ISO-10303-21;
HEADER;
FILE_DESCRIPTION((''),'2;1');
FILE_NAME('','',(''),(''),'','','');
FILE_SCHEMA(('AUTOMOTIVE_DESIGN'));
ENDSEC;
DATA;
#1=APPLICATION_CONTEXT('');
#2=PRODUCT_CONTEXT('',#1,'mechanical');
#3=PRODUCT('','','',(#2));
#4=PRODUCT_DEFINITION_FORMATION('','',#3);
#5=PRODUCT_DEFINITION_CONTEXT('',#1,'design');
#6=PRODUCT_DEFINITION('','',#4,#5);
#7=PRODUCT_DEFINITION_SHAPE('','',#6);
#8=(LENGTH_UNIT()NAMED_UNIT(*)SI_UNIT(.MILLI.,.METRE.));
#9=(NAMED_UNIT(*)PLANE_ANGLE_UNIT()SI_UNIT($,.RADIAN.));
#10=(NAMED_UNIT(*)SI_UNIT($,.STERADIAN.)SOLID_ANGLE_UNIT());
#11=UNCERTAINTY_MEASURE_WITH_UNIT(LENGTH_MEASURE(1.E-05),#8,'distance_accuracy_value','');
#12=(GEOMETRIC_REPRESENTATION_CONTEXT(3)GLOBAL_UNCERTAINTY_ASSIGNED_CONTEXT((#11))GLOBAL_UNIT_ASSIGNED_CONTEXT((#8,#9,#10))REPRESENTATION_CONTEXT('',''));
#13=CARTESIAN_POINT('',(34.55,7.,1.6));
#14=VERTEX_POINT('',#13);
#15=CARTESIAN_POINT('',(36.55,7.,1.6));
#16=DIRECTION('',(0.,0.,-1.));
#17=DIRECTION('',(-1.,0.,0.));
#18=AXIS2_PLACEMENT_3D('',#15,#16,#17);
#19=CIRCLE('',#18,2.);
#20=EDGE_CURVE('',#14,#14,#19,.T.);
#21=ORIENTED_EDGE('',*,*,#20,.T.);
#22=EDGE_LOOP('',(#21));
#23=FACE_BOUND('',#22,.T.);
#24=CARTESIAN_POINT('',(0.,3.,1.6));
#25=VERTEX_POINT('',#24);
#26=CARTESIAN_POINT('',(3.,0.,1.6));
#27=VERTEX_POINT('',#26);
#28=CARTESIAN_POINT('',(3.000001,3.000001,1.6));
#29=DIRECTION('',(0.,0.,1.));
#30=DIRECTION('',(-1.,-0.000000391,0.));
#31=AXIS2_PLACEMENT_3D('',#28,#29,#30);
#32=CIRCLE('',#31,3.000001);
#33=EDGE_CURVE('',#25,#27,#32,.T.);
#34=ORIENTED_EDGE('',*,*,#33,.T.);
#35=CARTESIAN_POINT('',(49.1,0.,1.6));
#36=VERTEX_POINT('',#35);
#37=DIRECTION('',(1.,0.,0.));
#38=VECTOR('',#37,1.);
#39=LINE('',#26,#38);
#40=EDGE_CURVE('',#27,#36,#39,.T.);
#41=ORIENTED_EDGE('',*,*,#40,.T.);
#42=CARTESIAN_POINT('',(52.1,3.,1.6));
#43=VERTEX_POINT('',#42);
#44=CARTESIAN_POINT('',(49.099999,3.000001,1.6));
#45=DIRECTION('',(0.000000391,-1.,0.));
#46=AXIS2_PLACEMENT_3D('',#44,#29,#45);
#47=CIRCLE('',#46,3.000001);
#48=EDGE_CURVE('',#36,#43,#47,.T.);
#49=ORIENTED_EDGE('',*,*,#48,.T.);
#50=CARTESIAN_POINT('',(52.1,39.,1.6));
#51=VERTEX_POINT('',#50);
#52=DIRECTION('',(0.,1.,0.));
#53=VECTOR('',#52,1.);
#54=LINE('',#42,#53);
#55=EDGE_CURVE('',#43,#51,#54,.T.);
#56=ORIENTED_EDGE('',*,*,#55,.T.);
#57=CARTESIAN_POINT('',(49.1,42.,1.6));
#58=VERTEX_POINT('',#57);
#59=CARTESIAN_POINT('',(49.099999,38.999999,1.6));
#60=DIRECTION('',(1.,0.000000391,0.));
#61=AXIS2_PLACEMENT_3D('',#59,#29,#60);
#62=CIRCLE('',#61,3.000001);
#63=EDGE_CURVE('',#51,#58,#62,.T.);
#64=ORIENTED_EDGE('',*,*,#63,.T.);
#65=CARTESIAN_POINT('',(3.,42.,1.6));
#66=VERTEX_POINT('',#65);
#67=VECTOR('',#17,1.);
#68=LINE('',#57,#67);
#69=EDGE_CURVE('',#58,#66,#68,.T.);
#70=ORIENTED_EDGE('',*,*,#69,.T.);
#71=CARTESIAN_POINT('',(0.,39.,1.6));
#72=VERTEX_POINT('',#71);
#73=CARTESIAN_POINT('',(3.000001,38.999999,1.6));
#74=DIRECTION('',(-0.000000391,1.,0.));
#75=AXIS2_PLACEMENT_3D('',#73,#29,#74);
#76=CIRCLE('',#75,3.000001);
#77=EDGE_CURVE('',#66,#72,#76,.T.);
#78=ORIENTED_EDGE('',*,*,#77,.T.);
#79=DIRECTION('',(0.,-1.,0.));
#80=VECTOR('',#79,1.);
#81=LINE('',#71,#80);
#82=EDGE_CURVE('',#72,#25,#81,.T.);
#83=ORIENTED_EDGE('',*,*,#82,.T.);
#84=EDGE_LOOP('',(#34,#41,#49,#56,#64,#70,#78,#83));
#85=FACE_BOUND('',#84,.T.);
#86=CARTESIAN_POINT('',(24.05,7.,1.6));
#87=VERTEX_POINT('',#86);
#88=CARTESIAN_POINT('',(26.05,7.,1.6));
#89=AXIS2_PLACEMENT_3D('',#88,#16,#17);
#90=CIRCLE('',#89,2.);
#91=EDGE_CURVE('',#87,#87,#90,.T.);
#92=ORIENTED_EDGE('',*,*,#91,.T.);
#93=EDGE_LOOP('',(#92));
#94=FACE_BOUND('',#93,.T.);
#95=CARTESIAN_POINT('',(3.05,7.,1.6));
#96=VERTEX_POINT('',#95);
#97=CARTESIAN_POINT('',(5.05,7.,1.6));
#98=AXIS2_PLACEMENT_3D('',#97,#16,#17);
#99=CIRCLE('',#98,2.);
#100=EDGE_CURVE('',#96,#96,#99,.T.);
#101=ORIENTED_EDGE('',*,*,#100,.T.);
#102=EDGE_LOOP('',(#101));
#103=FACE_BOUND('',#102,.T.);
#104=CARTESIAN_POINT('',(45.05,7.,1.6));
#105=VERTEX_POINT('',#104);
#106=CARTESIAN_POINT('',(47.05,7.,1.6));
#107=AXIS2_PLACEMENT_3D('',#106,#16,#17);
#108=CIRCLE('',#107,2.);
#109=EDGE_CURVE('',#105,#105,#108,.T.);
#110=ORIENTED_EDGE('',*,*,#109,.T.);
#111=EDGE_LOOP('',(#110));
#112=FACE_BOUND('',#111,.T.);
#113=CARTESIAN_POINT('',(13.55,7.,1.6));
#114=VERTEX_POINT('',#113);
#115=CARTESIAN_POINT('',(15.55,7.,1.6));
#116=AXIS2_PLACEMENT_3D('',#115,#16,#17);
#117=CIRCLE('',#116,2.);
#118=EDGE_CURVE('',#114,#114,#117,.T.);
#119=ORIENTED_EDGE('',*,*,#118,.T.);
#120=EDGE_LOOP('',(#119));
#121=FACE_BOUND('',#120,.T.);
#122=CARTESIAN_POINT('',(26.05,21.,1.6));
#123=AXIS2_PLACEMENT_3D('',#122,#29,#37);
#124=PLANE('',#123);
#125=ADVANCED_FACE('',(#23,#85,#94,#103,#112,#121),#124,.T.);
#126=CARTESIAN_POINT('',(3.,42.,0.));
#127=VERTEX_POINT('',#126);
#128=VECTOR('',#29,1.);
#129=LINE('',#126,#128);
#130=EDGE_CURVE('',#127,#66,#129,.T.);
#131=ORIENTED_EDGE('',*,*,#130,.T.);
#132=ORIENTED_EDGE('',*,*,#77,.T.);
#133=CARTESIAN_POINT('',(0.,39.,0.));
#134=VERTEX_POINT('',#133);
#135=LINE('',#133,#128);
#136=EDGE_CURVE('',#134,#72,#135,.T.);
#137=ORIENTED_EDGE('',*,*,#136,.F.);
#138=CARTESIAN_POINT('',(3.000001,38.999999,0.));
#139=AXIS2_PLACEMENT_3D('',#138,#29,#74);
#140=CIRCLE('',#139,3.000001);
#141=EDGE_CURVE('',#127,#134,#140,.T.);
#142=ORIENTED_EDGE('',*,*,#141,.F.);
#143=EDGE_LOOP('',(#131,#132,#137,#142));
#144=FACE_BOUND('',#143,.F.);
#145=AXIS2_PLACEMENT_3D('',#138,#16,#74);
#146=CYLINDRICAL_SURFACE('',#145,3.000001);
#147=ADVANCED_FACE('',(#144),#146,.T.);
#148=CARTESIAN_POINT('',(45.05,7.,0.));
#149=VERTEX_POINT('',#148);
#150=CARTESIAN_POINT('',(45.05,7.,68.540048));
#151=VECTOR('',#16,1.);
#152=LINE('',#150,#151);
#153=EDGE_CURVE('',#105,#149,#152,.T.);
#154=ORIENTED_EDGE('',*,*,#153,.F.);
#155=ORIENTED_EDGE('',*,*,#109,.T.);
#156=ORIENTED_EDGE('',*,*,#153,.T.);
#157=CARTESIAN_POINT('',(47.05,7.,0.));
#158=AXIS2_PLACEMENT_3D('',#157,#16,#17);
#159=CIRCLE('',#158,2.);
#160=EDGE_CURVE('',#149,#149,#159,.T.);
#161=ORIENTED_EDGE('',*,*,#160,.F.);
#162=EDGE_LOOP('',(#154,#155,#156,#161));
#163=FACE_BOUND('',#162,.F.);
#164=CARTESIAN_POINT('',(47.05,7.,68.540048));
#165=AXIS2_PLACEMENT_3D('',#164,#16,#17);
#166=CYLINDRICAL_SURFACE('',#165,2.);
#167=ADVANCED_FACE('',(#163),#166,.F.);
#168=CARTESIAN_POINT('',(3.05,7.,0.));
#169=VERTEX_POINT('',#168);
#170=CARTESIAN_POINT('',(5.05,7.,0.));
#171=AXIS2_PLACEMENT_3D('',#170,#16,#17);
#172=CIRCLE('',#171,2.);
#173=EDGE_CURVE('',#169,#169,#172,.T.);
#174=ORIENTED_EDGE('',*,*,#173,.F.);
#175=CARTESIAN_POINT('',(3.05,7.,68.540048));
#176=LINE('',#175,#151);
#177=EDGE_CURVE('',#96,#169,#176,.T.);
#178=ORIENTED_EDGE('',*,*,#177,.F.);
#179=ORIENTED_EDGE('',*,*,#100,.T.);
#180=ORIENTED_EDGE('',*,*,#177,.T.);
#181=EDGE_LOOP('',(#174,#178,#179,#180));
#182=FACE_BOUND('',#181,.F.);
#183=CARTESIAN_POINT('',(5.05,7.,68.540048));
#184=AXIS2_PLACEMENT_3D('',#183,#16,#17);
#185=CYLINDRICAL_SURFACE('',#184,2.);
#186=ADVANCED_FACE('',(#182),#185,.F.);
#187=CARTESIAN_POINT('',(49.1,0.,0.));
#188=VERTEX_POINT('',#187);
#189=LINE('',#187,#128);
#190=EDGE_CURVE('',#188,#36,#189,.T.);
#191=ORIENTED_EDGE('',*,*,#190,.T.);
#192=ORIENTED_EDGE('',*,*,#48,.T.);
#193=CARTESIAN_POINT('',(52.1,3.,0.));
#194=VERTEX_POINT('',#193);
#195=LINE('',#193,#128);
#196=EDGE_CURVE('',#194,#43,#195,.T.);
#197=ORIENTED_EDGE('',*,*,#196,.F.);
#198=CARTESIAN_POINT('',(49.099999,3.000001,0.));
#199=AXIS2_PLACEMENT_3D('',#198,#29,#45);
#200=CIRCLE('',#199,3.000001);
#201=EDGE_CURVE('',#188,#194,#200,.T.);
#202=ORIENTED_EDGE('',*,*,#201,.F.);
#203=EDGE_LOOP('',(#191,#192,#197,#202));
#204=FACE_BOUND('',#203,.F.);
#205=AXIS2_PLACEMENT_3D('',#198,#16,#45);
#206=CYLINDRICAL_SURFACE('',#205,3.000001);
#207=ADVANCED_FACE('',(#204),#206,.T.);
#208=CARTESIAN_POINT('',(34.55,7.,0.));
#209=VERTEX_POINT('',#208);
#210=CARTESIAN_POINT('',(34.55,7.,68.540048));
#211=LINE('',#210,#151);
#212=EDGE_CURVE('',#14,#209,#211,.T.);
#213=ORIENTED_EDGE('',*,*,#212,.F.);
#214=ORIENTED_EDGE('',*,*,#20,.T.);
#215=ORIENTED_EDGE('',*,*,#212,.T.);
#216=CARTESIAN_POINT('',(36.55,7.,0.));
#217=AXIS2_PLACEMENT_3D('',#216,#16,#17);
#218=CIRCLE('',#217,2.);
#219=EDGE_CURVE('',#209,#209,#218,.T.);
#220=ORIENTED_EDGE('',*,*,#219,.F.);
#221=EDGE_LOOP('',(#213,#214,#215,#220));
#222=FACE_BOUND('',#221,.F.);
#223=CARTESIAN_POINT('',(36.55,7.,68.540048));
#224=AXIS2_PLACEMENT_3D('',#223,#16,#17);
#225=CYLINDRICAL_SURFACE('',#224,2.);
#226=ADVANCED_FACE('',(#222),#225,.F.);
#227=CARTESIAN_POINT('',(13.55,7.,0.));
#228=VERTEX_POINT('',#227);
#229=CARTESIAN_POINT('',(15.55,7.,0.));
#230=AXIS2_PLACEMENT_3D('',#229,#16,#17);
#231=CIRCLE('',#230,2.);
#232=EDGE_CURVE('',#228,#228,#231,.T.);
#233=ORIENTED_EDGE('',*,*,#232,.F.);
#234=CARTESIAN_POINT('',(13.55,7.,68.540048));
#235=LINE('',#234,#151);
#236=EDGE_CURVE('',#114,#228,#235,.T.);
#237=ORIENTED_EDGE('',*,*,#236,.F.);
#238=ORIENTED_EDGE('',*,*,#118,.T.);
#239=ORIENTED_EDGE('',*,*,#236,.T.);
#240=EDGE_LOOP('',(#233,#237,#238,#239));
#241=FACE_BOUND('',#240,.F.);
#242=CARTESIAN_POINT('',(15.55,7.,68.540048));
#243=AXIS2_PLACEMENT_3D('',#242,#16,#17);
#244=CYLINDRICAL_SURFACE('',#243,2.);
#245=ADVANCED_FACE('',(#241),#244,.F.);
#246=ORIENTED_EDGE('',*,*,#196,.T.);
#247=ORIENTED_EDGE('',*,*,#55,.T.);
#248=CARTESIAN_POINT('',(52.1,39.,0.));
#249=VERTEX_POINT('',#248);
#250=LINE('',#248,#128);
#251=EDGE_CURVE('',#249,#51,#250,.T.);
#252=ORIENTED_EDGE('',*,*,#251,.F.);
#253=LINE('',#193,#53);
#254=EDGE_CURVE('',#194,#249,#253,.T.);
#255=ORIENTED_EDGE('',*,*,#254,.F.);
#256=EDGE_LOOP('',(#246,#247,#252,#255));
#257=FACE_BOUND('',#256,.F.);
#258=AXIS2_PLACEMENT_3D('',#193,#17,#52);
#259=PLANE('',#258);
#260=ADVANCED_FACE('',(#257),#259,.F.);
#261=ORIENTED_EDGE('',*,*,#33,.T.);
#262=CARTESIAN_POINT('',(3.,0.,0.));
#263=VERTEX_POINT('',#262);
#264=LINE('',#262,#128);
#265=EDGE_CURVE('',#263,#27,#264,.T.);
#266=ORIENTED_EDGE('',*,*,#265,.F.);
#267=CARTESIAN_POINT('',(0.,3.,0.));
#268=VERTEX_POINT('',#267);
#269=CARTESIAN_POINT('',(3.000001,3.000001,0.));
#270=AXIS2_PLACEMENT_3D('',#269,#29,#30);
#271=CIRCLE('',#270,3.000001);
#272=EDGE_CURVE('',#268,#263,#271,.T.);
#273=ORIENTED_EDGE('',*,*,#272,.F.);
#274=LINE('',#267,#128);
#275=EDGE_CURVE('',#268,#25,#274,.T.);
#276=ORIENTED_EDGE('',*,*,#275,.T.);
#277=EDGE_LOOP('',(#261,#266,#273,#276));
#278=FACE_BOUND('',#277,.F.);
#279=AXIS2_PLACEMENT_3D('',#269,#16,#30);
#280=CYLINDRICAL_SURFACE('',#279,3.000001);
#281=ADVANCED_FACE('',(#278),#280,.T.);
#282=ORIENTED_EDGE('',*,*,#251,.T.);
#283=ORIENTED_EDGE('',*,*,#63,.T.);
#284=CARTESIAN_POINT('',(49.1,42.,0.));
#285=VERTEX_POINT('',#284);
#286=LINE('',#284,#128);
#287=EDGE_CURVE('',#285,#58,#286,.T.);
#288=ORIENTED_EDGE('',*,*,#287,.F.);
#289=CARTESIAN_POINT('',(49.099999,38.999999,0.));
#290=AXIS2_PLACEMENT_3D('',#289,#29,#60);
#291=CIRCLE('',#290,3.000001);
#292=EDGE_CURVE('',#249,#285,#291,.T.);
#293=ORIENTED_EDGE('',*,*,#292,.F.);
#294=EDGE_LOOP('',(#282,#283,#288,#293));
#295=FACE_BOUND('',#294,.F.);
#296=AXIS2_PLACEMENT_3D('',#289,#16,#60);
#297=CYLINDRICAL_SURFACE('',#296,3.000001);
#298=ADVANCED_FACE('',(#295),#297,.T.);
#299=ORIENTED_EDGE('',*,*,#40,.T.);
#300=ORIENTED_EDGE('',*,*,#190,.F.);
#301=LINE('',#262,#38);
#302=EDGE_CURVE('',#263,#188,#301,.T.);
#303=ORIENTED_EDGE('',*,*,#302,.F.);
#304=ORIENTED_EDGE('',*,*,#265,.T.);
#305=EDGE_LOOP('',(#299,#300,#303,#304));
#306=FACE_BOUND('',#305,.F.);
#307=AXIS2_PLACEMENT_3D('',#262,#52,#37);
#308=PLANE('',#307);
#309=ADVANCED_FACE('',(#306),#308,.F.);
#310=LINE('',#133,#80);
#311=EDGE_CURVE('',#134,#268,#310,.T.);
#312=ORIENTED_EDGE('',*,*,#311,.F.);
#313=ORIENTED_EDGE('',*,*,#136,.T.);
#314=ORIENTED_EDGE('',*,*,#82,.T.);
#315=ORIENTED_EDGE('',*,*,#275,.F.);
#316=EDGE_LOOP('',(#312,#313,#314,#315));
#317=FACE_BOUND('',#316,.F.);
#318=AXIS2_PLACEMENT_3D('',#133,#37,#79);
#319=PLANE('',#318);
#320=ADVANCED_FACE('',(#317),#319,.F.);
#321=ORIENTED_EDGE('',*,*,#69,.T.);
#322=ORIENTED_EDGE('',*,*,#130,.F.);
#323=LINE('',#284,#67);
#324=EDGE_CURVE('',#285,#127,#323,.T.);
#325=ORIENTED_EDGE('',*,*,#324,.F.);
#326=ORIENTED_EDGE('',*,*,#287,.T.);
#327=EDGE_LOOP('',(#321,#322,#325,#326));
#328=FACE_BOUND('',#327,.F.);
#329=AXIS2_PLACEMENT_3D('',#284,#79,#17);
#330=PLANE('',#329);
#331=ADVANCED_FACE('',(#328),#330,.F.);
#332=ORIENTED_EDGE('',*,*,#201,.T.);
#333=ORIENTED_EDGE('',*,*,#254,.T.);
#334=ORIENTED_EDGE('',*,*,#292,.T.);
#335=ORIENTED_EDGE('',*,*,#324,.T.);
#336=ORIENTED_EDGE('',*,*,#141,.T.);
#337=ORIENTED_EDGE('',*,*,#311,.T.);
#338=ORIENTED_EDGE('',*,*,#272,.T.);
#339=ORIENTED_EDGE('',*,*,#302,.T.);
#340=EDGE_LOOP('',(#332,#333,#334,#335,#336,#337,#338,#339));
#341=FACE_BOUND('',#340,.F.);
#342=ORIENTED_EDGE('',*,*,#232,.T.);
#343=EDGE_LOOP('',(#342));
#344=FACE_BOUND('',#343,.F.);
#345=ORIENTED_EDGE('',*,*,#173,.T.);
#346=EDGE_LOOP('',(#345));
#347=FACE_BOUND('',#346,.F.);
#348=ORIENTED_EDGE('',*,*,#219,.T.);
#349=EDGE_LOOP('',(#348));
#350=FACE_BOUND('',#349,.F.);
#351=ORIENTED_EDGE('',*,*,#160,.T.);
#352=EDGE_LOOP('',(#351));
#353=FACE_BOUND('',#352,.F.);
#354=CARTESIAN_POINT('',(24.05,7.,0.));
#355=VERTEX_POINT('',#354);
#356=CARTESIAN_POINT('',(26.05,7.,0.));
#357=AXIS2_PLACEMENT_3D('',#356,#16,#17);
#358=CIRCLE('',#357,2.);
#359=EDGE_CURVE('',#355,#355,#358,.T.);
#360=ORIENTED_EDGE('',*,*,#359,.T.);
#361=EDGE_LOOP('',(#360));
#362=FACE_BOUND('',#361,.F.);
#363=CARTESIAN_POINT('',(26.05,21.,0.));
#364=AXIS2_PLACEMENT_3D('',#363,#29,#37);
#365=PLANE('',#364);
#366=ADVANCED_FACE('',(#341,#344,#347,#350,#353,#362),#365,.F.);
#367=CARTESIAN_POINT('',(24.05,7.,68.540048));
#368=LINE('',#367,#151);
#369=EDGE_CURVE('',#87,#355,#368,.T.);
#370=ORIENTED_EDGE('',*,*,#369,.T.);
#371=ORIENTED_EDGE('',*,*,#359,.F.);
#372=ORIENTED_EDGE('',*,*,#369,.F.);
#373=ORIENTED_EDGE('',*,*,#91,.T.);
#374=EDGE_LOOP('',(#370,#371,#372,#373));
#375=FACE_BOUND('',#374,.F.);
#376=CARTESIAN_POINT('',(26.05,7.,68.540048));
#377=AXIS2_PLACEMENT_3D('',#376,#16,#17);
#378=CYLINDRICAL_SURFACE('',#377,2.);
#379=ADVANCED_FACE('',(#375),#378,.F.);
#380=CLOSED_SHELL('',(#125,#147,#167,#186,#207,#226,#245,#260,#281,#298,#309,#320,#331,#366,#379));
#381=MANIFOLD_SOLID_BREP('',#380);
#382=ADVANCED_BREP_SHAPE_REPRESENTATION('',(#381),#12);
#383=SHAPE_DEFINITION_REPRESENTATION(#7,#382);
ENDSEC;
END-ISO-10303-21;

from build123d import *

# Parameters (mm, degrees)
F1_DEPTH = 1.6
F3_D     = 4


with BuildPart() as f1:
    # F0 (on Top) → F1 (new body)
    with BuildSketch(Plane.XY):
        with BuildLine():
            ThreePointArc((0, 3), (0.87868, 0.87868), (3, 0))
            Line((3, 0), (49.1, 0))
            ThreePointArc((49.1, 0), (51.22132, 0.87868), (52.1, 3))
            Line((52.1, 3), (52.1, 39))
            ThreePointArc((52.1, 39), (51.22132, 41.12132), (49.1, 42))
            Line((49.1, 42), (3, 42))
            ThreePointArc((3, 42), (0.87868, 41.12132), (0, 39))
            Line((0, 39), (0, 3))
        make_face()
    extrude(amount=F1_DEPTH)

    # F3 (through all)
    with Locations(Plane.XY.offset(1.6)):
        with Locations((5.05, 7), (15.55, 7), (26.05, 7), (36.55, 7), (47.05, 7)):
            Hole(F3_D / 2)


solid = f1.part
